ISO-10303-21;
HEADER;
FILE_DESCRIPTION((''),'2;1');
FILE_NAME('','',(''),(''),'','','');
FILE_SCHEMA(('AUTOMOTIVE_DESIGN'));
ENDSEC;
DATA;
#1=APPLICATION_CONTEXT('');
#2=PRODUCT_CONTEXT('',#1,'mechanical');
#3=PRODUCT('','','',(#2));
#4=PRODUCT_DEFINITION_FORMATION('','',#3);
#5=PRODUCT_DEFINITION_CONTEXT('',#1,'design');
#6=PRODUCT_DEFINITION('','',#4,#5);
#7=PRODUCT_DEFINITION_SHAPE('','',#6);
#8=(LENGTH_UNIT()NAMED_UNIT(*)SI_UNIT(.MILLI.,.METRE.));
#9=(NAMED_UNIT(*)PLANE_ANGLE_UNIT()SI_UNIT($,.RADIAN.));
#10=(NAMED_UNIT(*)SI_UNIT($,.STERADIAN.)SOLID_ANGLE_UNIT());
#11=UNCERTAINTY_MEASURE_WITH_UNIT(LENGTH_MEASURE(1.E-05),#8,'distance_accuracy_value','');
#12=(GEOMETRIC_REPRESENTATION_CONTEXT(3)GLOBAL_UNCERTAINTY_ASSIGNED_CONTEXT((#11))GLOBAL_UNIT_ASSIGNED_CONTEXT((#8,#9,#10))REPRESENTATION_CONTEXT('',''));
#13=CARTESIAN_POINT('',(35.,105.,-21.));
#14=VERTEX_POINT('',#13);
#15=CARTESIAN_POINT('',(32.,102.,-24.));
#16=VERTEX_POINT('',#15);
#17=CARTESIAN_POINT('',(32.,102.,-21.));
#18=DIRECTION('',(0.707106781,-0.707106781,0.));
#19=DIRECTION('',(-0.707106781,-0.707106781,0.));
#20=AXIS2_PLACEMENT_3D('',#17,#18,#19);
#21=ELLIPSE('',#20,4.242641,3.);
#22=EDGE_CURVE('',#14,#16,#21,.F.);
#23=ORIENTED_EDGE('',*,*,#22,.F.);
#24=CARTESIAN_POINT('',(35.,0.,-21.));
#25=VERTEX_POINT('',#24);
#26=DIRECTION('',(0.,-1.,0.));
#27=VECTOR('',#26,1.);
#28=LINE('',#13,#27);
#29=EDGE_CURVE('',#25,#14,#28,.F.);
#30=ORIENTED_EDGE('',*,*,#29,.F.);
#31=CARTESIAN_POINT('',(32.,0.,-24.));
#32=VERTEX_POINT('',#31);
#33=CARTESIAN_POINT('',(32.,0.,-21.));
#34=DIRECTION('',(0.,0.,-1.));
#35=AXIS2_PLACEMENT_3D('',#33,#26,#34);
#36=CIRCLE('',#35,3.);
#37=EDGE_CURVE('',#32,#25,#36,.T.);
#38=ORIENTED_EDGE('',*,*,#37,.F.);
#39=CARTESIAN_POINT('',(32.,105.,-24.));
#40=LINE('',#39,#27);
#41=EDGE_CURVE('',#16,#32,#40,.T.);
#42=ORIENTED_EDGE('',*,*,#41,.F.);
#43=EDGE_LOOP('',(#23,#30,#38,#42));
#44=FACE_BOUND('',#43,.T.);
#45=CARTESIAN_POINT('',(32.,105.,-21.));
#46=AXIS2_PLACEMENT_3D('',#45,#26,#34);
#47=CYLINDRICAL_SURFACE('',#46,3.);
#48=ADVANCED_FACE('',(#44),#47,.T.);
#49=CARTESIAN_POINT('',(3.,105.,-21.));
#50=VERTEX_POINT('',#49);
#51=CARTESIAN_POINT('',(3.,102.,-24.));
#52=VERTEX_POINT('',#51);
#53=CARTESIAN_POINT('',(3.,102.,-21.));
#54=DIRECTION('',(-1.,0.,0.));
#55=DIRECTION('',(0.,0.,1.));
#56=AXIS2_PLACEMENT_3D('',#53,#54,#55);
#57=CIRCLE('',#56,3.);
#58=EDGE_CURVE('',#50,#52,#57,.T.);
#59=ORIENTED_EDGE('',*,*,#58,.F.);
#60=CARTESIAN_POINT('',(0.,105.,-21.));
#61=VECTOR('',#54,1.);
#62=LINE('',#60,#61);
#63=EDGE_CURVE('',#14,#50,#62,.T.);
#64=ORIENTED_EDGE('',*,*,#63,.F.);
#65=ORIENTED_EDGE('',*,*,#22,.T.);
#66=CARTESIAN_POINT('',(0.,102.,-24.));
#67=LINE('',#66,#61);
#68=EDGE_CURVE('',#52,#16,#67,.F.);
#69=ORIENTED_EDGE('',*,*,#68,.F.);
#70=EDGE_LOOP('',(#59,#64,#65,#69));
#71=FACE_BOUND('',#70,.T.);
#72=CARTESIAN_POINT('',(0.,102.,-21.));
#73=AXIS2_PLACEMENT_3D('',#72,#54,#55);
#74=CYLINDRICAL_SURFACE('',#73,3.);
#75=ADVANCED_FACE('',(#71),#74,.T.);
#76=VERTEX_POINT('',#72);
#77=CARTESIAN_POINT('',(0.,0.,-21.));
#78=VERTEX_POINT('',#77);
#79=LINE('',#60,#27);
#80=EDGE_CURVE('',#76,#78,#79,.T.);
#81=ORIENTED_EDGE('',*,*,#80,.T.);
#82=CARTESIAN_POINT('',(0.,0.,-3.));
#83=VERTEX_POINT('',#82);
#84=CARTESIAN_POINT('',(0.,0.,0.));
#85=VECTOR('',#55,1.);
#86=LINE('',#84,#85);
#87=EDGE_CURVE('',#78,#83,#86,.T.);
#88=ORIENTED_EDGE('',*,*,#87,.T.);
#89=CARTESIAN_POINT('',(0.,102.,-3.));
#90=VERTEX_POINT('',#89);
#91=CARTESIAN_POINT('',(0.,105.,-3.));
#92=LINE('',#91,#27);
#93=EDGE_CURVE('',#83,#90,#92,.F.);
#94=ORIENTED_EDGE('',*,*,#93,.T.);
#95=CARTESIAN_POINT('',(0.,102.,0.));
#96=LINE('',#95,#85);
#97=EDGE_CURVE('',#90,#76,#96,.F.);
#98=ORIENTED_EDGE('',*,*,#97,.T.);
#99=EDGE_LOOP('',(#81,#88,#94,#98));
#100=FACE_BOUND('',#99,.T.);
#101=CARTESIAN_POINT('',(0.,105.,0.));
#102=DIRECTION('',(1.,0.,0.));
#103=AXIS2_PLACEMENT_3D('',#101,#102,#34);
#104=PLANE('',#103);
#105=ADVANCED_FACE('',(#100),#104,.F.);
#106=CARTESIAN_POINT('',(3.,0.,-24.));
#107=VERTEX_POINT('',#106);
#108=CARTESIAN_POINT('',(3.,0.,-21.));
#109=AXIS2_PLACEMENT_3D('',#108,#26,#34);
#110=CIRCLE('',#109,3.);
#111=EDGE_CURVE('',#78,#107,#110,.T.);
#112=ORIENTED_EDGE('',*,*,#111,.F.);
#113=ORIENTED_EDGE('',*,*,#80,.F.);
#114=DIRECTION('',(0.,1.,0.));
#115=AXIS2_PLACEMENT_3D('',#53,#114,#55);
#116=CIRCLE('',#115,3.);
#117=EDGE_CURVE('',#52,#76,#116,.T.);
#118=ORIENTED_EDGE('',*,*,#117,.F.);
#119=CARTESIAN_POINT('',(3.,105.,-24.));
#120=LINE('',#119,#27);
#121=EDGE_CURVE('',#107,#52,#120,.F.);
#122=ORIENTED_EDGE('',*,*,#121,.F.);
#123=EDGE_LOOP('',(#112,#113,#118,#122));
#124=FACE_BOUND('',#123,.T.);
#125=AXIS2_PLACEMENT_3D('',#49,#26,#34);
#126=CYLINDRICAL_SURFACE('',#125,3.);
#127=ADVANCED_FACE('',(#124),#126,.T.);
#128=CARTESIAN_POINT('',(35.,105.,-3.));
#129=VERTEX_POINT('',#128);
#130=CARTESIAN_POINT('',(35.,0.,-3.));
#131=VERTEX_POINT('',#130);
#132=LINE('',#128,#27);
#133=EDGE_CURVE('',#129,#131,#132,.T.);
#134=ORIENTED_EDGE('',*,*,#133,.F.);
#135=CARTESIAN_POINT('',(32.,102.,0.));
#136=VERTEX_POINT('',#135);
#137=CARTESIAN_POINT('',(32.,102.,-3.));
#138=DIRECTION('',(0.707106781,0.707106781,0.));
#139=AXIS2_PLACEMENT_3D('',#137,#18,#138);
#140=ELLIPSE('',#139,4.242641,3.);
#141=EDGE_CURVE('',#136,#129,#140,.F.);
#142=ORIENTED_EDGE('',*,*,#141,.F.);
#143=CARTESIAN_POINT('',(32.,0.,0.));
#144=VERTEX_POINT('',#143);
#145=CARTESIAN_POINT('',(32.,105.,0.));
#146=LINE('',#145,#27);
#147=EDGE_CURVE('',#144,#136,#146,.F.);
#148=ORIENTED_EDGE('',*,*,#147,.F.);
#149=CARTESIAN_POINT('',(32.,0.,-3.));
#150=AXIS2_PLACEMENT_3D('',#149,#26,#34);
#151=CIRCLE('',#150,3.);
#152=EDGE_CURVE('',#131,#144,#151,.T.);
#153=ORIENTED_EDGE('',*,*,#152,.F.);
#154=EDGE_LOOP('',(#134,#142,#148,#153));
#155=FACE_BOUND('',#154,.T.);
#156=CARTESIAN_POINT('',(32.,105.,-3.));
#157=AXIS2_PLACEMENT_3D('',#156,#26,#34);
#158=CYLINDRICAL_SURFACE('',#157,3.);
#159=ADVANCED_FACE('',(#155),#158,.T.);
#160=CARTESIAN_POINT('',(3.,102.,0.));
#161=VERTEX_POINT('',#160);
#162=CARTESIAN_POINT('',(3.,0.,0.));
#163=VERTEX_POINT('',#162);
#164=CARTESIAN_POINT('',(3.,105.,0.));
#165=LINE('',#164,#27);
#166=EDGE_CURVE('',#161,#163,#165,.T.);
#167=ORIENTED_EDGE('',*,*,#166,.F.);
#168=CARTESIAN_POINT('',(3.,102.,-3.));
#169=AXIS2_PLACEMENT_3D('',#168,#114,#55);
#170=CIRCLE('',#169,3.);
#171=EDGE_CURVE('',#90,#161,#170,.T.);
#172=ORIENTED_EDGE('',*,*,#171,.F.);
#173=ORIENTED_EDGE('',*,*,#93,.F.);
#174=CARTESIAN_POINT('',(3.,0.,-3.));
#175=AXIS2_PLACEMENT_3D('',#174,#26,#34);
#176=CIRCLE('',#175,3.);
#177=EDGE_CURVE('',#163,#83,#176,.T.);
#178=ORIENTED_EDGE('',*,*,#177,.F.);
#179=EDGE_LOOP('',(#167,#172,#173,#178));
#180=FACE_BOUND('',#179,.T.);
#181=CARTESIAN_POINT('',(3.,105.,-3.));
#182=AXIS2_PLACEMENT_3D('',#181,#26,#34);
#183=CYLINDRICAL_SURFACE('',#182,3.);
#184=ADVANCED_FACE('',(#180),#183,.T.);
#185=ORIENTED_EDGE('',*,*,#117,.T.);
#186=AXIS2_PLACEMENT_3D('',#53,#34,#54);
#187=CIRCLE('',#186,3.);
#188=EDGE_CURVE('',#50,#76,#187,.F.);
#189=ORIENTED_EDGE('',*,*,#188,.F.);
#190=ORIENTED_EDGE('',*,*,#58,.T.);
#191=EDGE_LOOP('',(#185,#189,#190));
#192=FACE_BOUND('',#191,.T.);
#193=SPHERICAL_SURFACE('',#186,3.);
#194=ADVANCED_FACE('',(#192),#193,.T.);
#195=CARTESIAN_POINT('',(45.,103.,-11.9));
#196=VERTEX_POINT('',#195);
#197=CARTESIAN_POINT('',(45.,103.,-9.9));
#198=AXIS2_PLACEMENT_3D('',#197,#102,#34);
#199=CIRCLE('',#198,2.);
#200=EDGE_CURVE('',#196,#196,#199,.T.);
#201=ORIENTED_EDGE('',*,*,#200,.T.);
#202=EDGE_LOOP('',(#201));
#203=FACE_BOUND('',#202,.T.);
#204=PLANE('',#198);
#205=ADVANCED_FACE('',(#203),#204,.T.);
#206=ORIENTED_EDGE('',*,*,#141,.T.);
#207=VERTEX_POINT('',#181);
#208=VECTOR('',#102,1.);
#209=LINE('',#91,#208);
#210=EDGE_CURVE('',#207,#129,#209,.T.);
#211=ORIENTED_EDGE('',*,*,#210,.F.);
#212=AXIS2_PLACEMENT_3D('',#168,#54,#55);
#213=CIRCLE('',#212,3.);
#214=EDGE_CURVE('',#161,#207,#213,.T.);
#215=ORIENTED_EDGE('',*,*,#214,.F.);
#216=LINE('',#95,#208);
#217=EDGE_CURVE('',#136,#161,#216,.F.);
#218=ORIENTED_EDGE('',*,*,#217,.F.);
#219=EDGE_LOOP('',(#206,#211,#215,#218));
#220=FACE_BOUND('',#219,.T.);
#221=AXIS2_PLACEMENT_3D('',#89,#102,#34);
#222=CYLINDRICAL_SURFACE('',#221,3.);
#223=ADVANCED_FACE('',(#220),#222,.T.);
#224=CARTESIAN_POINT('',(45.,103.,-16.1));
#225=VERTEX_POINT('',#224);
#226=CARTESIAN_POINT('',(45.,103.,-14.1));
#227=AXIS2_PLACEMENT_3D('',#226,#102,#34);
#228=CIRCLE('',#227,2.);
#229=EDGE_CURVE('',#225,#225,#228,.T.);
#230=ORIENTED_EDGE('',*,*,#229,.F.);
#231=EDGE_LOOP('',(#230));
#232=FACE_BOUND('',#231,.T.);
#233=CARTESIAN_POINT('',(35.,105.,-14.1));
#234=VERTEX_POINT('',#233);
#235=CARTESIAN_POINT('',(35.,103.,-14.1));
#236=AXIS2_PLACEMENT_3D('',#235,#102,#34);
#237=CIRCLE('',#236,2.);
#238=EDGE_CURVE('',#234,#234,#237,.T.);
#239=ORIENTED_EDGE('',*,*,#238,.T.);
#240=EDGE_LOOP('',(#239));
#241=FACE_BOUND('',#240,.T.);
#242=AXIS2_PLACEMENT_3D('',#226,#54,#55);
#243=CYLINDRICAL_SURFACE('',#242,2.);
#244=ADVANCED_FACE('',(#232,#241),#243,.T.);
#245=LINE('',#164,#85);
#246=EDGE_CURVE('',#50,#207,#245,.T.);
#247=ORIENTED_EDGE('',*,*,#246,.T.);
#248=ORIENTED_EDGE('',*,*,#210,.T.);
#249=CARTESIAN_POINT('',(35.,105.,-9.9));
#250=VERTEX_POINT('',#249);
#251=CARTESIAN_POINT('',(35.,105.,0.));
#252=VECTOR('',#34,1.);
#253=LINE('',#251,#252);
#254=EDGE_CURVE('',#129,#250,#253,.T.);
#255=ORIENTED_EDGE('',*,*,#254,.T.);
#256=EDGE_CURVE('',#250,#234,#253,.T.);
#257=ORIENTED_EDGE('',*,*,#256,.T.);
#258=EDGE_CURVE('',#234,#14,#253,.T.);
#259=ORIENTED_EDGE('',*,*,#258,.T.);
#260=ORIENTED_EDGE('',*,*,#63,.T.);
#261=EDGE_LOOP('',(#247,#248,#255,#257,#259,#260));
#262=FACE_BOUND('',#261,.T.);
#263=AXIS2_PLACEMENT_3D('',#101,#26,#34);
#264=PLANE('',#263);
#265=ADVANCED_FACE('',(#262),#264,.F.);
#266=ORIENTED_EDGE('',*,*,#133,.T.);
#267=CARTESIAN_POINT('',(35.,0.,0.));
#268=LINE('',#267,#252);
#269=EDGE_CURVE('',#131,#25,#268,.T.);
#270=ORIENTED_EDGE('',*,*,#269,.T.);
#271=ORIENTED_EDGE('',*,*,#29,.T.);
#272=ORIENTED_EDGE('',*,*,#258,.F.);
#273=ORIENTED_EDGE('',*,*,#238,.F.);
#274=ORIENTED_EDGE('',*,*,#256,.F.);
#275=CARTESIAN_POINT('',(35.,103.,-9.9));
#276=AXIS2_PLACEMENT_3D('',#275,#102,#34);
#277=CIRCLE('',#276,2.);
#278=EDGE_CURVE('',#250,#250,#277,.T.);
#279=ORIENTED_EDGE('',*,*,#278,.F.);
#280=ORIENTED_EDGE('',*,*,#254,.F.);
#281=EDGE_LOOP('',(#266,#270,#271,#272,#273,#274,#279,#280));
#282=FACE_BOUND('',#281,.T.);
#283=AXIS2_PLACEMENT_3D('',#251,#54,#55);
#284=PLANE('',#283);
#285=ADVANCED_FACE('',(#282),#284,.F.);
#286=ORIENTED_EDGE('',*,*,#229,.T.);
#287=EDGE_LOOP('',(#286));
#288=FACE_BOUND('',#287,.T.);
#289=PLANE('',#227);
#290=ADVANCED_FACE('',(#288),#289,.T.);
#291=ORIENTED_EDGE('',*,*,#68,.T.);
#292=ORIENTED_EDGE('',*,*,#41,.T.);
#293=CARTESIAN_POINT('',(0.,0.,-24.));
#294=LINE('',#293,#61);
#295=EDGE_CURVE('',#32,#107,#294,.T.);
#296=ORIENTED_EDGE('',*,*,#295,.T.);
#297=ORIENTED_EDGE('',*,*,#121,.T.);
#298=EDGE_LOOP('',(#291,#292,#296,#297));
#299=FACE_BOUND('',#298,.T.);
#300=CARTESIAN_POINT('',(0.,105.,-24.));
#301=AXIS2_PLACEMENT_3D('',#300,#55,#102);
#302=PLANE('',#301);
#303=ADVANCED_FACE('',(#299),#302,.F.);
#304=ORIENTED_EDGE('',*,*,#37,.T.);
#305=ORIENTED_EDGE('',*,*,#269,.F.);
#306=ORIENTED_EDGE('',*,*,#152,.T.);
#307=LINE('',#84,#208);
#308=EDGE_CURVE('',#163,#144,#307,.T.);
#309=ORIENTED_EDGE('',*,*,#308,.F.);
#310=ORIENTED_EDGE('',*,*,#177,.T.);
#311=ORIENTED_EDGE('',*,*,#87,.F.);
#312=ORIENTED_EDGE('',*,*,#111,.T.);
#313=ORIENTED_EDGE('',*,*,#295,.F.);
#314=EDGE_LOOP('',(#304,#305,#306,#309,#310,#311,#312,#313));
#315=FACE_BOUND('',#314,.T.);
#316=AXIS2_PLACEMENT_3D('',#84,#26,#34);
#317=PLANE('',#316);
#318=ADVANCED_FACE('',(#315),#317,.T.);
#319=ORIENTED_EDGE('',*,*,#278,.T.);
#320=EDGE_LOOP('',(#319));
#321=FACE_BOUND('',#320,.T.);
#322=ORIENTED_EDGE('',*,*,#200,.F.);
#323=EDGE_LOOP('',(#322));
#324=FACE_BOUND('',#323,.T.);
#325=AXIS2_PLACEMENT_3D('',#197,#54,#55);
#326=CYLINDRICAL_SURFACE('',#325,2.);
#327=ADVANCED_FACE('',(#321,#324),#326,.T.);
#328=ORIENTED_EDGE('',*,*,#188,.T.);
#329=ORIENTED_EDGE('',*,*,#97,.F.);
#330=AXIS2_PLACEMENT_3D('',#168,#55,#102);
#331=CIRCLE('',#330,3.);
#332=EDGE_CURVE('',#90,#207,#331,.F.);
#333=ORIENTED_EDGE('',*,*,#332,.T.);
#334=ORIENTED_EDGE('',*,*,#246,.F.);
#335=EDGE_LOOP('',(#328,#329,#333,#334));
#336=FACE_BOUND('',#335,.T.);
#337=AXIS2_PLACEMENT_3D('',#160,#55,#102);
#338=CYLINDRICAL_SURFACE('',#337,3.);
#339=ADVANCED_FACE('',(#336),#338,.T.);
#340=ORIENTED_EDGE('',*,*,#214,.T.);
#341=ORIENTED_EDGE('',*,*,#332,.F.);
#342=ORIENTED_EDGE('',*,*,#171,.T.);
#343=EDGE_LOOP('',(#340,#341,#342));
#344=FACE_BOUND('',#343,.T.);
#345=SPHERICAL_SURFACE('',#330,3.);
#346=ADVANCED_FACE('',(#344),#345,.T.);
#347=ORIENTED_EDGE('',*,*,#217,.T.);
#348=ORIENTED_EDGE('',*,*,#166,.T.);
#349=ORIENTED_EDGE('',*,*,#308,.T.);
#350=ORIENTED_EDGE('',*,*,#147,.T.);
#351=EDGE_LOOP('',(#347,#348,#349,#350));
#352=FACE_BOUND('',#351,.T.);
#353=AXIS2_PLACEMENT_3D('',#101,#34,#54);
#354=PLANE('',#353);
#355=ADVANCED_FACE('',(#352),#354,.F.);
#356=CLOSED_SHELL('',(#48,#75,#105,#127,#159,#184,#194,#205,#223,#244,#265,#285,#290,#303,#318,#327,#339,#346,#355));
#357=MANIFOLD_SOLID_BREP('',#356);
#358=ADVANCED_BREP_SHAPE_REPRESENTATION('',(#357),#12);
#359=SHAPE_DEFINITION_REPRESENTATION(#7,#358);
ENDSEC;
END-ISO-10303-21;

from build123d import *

# Parameters (mm, degrees)
SKETCH2_W           = 35
SKETCH2_H           = 24
BOSS_EXTRUDE1_DEPTH = 105
SKETCH5_R           = 2
BOSS_EXTRUDE2_DEPTH = 10
FILLET1_R           = 3


with BuildPart() as part:
    # Sketch2 → Boss-Extrude1 (new body)
    with BuildSketch(Plane(origin=(0, 0, 0), x_dir=(1, 0, 0), z_dir=(0, 1, 0))):
        with Locations((17.5, 12)):
            Rectangle(SKETCH2_W, SKETCH2_H)
    extrude(amount=BOSS_EXTRUDE1_DEPTH)

    # Sketch5 → Boss-Extrude2 (add)
    with BuildSketch(Plane(origin=(35, 0, 0), x_dir=(0, 0, -1), z_dir=(1, 0, 0))):
        with Locations(Location((9.9, 103, 0), (0, 0, 90))):
            Circle(SKETCH5_R)
        with Locations(Location((14.1, 103, 0), (0, 0, 90))):
            Circle(SKETCH5_R)
    extrude(amount=BOSS_EXTRUDE2_DEPTH)

    # Fillet1
    fillet1_edges = [part.edges().sort_by_distance(p)[0] for p in [
        (17.5, 105, -24),
        (0, 105, -12),
        (0, 52.5, -24),
        (35, 52.5, -24),
        (35, 52.5, 0),
        (0, 52.5, 0),
        (17.5, 105, 0),
    ]]
    fillet(fillet1_edges, radius=FILLET1_R)


solid = part.part
